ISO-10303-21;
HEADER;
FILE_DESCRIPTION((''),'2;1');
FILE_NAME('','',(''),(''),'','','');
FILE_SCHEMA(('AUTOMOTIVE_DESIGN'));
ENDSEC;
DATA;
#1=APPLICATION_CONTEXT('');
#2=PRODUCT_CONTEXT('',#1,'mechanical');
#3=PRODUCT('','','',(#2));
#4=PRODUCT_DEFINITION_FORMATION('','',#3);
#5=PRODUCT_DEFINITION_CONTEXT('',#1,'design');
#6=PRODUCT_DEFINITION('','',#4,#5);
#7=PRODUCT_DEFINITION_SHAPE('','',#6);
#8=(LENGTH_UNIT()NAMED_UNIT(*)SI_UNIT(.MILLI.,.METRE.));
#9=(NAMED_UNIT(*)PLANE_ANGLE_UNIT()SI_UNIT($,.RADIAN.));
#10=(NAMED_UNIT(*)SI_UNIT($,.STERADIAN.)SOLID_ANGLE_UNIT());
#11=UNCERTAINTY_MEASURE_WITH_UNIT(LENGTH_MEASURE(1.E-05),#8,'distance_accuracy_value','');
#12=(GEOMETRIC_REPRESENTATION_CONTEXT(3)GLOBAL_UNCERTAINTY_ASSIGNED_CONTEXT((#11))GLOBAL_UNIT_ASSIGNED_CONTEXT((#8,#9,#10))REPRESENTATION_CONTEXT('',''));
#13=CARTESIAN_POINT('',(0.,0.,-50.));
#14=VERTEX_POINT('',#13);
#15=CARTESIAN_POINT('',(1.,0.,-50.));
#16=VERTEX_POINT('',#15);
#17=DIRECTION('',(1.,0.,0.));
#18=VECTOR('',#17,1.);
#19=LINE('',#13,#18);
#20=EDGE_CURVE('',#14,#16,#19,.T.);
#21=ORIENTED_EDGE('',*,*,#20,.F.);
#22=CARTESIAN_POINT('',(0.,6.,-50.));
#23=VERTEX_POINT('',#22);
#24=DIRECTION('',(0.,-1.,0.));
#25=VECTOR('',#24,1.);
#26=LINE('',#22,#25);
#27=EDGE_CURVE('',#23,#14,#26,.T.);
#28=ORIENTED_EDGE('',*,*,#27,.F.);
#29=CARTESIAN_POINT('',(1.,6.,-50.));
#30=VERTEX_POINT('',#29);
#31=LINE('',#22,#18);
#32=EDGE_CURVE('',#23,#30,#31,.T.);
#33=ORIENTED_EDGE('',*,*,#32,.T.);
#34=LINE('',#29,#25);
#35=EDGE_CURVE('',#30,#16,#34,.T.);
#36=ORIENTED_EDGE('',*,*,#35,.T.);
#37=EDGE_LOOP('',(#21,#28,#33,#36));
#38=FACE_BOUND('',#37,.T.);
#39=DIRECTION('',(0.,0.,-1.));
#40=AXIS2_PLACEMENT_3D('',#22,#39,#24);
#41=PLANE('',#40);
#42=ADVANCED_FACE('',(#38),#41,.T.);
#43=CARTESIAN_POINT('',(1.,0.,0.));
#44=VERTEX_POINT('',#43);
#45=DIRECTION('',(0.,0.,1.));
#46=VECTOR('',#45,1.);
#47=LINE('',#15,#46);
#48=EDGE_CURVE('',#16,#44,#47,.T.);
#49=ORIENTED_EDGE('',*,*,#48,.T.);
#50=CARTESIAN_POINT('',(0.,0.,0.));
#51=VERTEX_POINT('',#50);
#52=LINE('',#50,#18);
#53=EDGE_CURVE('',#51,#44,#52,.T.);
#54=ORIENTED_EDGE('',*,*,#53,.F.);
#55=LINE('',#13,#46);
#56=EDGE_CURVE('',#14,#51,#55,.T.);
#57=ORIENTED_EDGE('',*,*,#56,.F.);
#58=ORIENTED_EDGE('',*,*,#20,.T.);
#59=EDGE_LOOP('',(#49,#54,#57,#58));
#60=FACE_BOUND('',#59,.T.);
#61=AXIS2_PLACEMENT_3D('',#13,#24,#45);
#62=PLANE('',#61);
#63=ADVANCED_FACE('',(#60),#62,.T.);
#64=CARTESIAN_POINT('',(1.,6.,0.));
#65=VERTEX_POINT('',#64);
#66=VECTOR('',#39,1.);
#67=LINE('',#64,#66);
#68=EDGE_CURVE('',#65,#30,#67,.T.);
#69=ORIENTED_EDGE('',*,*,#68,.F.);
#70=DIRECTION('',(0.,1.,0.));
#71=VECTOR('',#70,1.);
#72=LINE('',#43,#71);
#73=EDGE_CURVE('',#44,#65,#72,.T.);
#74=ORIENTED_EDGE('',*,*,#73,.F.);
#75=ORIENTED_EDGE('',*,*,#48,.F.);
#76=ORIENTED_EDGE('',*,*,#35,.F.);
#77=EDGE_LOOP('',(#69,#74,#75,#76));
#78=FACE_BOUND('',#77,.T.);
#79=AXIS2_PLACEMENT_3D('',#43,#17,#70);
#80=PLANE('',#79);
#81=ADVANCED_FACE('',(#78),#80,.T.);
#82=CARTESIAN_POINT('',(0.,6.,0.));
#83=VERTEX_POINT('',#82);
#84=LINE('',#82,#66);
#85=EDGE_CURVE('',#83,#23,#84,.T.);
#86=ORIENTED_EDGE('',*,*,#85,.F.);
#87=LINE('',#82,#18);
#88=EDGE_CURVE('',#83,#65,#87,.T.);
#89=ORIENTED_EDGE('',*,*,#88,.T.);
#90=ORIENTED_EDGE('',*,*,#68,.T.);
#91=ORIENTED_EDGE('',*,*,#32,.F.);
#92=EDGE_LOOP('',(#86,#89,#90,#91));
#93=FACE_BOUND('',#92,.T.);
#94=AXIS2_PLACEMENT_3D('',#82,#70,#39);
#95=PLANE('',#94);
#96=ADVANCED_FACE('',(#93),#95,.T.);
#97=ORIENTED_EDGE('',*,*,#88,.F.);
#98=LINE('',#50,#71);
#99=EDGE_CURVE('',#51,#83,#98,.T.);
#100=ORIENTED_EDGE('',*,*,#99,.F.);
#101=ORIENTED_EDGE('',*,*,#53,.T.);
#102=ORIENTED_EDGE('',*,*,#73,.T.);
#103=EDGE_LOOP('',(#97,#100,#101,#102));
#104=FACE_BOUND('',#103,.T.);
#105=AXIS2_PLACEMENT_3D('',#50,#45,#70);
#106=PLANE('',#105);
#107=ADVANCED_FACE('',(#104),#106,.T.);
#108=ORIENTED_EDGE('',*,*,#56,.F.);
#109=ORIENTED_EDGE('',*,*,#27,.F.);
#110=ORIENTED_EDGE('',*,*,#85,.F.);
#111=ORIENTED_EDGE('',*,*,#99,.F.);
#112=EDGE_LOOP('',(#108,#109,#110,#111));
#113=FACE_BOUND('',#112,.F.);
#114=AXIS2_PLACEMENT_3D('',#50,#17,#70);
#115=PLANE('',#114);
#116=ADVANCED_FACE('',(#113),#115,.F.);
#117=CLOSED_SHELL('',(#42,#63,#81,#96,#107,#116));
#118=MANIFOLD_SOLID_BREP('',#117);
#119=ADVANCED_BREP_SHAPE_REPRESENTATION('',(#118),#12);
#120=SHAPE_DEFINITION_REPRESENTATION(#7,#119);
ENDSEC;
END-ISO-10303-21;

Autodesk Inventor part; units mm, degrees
ref_plane "YZ Plane" through (0, 0, 0) normal (1, 0, 0) x (0, 1, 0)
ref_plane "XZ Plane" through (0, 0, 0) normal (0, 1, 0) x (-1, 0, 0)
ref_plane "XY Plane" through (0, 0, 0) normal (0, 0, 1) x (1, 0, 0)
sketch "Sketch1" plane through (0, 0, 0) normal (1, 0, 0) x (0, 1, 0)
  line L0 (0, 0) -> (6, 0)
  line L1 (6, 0) -> (6, -50)
  line L2 (6, -50) -> (0, -50)
  line L3 (0, -50) -> (0, 0)
  dimension "d0" = 6
  dimension "d1" = 50
extrude "Extrusion1" add sketch "Sketch1" along normal blind 1
properties part number "bar"
